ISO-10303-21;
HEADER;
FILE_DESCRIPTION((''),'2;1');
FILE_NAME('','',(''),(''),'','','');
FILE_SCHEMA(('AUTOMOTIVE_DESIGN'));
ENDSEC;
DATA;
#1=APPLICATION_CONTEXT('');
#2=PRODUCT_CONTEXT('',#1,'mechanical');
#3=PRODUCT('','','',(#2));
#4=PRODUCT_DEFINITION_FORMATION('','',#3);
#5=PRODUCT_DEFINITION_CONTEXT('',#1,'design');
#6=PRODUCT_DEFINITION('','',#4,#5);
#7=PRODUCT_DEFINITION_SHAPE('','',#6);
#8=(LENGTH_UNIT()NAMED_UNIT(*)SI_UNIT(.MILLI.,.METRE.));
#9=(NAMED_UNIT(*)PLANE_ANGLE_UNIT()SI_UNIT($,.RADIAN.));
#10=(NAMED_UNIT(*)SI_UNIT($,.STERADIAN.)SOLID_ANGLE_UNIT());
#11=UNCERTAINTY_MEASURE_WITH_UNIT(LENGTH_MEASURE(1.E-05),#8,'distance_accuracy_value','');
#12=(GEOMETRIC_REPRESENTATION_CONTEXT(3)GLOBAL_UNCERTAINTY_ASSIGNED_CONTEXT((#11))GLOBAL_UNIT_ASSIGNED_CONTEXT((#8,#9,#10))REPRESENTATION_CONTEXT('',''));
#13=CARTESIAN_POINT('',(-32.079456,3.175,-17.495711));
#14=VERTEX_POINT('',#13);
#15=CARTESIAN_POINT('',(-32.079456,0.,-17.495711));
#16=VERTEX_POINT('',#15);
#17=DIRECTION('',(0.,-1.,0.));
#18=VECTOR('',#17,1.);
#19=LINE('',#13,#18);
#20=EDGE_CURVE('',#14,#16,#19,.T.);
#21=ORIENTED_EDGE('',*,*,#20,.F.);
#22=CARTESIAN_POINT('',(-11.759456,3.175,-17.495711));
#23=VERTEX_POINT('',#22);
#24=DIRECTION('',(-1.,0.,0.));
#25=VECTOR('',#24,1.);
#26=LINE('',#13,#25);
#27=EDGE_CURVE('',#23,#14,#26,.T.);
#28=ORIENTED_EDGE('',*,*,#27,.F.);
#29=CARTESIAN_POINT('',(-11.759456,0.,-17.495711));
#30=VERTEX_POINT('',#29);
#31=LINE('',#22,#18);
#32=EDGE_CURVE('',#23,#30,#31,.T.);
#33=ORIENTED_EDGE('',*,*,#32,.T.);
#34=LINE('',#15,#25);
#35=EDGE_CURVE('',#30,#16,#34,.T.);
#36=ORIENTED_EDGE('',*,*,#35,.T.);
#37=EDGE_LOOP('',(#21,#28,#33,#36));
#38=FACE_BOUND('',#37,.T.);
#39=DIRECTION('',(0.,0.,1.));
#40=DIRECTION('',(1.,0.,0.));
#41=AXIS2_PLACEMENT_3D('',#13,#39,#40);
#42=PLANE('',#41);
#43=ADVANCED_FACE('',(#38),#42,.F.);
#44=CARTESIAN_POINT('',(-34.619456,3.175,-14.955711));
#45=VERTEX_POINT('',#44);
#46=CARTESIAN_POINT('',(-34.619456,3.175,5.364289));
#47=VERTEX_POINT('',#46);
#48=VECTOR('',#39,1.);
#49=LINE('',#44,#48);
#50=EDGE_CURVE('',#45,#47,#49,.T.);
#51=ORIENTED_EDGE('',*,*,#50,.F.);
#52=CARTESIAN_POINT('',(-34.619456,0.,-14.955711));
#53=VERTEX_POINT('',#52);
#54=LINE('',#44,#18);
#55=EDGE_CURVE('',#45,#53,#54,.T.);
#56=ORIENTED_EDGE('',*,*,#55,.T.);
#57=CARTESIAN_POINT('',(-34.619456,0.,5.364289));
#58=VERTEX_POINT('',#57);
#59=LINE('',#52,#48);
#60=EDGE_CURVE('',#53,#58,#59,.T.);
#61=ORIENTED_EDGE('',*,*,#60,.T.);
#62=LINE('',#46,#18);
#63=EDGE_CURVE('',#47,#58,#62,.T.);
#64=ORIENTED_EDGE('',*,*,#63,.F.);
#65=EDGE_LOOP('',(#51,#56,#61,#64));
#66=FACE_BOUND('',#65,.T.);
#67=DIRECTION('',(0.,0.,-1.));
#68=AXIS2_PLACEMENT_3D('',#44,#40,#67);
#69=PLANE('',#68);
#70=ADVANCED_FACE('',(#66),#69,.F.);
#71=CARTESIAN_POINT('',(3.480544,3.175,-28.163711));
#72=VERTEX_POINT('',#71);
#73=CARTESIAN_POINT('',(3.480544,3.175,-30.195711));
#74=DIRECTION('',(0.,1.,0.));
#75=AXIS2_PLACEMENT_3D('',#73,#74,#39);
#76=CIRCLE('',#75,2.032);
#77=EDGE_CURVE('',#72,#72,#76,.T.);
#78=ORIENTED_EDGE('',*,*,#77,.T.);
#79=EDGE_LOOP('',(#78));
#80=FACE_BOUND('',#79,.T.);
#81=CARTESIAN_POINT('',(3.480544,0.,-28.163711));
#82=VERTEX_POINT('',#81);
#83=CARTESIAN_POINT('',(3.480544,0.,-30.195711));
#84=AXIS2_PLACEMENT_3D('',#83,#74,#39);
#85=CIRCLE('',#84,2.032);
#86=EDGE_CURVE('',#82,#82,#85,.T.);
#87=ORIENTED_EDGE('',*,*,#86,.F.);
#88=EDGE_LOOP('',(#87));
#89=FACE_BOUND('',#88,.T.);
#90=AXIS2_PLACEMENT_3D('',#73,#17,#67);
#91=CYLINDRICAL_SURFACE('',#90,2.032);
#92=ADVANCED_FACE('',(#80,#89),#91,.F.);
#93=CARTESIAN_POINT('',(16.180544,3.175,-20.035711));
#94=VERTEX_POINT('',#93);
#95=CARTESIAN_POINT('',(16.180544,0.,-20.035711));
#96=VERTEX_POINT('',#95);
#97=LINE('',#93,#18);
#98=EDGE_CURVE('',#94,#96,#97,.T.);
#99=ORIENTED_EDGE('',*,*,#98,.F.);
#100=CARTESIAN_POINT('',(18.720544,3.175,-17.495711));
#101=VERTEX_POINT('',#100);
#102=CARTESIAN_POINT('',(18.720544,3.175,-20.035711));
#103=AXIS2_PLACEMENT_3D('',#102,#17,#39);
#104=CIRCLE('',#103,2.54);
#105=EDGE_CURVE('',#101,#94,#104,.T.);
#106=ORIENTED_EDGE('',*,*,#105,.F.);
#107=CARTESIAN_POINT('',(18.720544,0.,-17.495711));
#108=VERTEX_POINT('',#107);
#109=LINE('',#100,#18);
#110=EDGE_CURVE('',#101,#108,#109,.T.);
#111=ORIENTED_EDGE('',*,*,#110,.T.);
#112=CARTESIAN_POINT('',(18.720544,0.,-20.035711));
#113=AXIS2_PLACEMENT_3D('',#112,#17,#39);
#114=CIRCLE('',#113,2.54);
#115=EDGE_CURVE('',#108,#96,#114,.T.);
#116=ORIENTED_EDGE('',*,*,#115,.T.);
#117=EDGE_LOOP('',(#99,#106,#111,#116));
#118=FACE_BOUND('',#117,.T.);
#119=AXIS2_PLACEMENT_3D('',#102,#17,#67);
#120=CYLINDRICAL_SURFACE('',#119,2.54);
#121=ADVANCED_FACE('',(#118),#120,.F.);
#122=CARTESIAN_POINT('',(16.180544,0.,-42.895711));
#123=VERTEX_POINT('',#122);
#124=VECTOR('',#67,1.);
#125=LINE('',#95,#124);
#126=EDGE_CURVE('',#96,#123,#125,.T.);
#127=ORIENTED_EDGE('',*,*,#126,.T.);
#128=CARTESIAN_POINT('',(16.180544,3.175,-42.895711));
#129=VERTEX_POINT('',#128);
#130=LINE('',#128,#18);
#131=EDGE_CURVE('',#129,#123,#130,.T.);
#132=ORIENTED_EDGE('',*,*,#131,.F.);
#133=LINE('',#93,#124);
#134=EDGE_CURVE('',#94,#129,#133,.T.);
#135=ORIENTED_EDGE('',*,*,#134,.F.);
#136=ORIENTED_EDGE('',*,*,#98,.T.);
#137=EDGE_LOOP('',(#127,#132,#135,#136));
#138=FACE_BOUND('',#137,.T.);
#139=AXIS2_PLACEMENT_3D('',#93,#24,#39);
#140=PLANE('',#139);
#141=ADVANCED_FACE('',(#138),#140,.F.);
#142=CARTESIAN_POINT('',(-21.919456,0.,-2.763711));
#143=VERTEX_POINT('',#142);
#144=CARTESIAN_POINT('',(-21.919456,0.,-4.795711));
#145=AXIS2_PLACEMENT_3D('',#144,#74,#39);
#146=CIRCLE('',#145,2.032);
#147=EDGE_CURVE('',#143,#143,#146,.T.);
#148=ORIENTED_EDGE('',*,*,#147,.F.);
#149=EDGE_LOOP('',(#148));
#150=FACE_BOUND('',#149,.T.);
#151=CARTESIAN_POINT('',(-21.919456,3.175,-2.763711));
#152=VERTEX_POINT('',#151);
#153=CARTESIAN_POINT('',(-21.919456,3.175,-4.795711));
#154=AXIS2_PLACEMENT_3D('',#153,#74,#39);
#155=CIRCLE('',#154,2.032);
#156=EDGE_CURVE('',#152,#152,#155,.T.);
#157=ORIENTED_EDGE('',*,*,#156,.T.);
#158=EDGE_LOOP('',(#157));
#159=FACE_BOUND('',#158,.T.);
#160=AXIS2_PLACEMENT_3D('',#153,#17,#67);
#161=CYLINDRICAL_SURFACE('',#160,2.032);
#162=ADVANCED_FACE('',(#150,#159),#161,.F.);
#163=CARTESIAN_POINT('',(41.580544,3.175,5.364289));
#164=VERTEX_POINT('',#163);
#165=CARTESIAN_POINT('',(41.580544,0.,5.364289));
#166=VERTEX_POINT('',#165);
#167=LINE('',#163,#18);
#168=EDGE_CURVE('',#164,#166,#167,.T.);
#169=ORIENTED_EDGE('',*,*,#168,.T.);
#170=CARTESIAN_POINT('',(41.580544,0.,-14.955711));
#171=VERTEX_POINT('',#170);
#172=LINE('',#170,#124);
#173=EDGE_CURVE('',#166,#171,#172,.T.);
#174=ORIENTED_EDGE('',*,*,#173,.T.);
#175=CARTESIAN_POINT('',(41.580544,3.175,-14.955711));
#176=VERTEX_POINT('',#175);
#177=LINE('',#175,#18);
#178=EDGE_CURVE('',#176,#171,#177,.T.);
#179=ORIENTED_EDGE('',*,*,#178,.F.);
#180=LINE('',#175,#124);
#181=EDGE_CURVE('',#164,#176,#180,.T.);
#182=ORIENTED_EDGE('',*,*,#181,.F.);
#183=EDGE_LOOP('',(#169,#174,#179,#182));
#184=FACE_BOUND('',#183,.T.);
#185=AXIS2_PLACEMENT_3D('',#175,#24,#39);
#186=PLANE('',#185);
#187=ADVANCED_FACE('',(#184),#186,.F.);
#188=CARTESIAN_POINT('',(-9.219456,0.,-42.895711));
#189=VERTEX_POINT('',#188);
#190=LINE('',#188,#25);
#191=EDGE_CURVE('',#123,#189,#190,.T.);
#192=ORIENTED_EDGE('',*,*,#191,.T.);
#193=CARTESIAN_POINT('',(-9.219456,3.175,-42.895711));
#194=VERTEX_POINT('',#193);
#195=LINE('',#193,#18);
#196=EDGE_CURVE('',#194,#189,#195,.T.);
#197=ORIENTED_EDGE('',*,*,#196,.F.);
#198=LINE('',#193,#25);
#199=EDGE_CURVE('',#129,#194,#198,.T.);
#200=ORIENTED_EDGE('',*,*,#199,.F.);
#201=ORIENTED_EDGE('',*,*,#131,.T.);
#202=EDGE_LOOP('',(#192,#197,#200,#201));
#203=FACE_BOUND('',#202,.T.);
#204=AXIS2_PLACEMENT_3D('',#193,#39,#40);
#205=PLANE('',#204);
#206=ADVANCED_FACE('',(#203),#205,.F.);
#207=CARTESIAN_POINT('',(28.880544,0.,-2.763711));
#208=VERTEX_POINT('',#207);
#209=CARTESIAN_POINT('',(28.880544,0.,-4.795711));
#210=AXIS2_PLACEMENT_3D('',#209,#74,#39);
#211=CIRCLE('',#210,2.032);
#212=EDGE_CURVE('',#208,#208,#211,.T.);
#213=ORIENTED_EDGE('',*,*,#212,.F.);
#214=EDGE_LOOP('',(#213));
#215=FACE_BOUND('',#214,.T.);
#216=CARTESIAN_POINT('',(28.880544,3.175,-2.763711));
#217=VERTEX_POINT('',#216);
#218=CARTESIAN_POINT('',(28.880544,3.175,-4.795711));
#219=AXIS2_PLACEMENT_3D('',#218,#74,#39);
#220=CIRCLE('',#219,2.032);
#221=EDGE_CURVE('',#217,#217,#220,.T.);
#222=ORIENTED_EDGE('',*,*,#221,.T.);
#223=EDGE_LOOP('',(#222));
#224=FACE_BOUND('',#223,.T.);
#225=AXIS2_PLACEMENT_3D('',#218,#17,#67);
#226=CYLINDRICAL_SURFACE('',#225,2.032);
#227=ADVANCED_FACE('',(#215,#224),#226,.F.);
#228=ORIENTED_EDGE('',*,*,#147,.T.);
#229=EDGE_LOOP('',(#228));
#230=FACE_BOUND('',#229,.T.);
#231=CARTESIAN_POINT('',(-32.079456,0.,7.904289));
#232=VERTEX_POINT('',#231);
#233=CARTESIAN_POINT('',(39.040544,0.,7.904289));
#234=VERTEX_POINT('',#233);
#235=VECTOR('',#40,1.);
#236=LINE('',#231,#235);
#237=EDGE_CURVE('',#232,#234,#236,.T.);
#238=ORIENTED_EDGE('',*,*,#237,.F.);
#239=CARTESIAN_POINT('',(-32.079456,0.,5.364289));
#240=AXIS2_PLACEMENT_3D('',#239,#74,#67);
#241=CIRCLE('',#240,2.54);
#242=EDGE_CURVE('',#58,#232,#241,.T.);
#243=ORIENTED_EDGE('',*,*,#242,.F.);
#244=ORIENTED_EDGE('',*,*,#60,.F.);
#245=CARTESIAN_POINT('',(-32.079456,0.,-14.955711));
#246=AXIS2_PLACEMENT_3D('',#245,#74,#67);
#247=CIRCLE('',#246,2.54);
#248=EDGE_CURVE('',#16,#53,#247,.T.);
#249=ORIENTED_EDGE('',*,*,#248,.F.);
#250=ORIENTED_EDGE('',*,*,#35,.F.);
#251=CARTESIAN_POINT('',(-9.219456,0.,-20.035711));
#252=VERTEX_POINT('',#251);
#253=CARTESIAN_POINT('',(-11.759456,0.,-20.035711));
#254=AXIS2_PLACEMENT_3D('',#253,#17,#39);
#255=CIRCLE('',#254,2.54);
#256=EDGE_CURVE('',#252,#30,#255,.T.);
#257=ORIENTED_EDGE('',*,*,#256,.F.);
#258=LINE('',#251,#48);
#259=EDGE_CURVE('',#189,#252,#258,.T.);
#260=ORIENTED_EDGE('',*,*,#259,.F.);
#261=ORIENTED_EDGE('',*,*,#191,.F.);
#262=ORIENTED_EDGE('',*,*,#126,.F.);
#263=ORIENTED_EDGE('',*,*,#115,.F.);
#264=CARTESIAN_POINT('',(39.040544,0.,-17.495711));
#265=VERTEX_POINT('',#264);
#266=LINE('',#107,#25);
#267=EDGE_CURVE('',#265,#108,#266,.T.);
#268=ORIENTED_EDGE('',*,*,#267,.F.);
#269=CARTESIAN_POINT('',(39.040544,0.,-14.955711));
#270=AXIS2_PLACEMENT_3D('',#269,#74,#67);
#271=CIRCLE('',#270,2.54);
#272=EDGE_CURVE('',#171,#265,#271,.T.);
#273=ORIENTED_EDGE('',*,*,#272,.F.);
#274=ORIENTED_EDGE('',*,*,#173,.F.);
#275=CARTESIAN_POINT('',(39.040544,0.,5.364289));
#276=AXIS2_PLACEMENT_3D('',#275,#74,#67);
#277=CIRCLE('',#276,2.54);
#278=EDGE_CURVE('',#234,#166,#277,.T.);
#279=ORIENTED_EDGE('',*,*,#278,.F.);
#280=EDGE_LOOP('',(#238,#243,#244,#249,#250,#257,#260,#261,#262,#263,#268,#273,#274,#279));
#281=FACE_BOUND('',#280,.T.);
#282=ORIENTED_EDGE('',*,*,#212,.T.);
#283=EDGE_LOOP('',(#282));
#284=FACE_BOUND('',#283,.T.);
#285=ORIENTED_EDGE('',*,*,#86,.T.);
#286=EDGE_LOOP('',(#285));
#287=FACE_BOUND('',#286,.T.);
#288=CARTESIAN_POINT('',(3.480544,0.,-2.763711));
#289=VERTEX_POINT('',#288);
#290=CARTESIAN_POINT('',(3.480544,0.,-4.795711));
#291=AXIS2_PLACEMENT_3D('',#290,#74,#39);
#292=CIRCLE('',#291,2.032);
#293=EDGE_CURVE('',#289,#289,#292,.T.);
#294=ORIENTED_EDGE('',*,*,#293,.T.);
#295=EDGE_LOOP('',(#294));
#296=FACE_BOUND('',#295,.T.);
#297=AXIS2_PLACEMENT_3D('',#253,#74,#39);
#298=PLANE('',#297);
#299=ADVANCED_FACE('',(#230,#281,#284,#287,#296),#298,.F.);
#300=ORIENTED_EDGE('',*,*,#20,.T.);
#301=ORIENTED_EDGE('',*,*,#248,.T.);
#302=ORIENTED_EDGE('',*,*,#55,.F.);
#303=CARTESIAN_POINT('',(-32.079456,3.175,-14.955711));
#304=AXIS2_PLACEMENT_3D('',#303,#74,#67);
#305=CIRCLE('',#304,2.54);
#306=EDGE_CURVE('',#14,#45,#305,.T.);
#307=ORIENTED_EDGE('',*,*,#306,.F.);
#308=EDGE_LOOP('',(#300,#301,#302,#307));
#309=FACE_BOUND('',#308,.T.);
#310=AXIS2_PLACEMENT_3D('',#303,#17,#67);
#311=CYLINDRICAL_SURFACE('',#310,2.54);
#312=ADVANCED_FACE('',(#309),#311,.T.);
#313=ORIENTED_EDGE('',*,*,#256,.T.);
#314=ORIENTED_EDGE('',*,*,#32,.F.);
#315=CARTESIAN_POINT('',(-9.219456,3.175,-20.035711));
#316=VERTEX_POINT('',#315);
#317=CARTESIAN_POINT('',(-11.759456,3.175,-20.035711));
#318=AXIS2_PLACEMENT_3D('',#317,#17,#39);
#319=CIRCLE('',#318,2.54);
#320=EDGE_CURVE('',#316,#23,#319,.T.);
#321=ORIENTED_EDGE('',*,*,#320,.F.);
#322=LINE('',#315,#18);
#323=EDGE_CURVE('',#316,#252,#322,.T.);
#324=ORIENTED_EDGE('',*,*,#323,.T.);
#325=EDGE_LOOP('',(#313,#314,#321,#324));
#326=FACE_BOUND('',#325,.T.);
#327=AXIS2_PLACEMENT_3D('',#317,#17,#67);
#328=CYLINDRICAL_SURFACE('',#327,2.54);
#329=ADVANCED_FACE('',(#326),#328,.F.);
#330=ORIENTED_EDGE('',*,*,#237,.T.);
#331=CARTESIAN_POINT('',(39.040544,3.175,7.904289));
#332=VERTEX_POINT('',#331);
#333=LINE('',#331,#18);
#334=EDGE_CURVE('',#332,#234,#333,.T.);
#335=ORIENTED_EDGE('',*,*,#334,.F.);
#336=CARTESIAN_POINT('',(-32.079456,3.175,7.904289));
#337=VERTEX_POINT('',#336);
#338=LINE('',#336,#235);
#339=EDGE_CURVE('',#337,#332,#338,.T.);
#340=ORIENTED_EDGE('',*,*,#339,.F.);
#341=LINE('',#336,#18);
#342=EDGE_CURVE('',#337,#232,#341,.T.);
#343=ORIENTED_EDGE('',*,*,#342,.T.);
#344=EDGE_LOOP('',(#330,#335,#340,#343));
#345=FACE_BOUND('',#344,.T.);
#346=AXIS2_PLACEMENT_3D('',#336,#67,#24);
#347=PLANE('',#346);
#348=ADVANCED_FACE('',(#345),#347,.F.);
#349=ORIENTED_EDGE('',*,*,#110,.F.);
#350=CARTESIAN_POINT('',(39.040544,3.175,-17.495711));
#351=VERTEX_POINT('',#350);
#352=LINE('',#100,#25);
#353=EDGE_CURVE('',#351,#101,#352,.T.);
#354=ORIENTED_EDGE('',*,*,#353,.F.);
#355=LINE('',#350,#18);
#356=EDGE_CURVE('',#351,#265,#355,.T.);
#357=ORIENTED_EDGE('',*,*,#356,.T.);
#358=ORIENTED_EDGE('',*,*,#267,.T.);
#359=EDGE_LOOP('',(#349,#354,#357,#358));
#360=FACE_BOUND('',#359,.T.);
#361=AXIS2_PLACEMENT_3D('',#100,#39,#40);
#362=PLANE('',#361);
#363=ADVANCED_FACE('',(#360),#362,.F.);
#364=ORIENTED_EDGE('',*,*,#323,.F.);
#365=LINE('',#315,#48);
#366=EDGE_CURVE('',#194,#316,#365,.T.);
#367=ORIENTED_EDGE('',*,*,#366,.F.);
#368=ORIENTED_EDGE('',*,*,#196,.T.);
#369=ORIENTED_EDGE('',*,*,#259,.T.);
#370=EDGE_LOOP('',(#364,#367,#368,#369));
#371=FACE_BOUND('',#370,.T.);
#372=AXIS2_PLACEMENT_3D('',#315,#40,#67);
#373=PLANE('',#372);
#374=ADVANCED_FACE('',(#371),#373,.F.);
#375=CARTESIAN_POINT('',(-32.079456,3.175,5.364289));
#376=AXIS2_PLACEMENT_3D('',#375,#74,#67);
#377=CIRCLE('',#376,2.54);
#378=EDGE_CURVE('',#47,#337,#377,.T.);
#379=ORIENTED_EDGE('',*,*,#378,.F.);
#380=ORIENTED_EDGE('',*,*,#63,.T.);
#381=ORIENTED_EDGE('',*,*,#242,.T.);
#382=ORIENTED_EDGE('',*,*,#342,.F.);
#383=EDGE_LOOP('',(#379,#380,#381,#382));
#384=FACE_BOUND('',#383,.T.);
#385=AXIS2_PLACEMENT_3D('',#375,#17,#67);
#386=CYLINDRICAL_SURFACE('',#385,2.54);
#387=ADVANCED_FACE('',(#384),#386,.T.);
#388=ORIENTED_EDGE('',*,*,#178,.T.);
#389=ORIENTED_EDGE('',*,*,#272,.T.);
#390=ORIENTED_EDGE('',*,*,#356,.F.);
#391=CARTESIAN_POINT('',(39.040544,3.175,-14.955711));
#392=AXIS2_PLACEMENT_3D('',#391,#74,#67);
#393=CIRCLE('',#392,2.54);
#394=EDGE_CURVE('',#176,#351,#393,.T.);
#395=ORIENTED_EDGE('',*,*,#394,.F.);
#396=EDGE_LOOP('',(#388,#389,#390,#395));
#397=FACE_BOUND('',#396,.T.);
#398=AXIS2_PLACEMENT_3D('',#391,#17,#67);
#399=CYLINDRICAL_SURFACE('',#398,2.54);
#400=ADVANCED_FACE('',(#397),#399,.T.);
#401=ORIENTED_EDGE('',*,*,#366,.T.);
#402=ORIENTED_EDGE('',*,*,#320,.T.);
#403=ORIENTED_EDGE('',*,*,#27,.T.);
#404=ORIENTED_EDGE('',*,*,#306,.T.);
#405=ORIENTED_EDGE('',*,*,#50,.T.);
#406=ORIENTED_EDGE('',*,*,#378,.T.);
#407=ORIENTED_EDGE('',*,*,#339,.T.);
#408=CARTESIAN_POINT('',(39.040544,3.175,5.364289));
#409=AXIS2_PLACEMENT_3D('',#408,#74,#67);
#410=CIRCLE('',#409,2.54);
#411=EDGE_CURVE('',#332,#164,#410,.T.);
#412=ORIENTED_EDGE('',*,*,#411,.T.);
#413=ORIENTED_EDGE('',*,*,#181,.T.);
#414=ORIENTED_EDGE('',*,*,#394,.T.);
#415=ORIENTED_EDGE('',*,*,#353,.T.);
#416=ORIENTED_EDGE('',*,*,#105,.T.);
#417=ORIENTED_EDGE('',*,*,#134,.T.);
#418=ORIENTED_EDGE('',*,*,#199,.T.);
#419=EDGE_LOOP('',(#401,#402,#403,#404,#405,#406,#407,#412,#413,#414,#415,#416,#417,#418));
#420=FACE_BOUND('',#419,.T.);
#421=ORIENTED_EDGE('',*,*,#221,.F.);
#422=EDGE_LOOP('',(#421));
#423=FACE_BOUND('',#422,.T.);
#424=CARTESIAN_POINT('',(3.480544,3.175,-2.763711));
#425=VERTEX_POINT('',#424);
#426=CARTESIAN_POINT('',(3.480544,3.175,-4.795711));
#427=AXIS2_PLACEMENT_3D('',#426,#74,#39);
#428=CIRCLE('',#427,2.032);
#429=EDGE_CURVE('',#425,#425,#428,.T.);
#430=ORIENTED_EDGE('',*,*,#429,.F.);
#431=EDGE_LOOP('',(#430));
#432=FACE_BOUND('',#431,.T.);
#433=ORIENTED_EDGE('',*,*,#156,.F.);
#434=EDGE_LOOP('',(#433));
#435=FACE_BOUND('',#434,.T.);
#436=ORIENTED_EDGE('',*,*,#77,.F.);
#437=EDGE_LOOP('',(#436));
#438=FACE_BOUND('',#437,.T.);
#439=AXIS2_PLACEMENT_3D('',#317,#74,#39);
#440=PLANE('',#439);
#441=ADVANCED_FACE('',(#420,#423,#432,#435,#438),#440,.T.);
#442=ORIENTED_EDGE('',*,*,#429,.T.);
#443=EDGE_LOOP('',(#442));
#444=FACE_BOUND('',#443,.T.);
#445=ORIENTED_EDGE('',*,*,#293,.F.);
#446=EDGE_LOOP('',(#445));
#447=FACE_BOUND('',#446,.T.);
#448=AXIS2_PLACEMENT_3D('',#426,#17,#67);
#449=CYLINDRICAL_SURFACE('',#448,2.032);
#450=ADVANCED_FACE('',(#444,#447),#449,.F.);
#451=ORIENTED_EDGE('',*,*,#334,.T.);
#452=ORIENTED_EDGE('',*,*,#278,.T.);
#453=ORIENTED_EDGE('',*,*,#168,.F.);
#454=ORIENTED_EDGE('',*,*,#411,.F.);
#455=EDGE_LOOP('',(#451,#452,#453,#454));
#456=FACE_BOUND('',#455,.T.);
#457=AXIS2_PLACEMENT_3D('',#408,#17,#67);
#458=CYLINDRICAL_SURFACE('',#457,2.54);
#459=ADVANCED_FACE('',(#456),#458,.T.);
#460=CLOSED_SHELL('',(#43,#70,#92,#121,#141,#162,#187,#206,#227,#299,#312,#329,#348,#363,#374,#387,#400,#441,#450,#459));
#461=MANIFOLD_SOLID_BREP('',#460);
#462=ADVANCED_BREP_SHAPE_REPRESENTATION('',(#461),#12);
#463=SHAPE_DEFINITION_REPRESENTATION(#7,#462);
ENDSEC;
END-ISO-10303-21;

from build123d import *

# Parameters (mm, degrees)
SKETCH1_R           = 2.032
BOSS_EXTRUDE1_DEPTH = 3.175


with BuildPart() as part:
    # Sketch1 → Boss-Extrude1 (new body)
    with BuildSketch(Plane(origin=(0, 0, 0), x_dir=(1, 0, 0), z_dir=(0, 1, 0))):
        with BuildLine():
            Line((18.720543933, 17.495711297), (39.040543933, 17.495711297))
            ThreePointArc((39.040543933, 17.495711297), (40.836595157, 16.751762521), (41.580543933, 14.955711297))
            Line((41.580543933, 14.955711297), (41.580543933, -5.364288703))
            ThreePointArc((41.580543933, -5.364288703), (40.836595157, -7.160339927), (39.040543933, -7.904288703))
            Line((39.040543933, -7.904288703), (-32.079456067, -7.904288703))
            ThreePointArc((-32.079456067, -7.904288703), (-33.875507291, -7.160339927), (-34.619456067, -5.364288703))
            Line((-34.619456067, -5.364288703), (-34.619456067, 14.955711297))
            ThreePointArc((-34.619456067, 14.955711297), (-33.875507291, 16.751762521), (-32.079456067, 17.495711297))
            Line((-32.079456067, 17.495711297), (-11.759456067, 17.495711297))
            ThreePointArc((-11.759456067, 17.495711297), (-9.963404843, 18.239660073), (-9.219456067, 20.035711297))
            Line((-9.219456067, 20.035711297), (-9.219456067, 42.895711297))
            Line((-9.219456067, 42.895711297), (16.180543933, 42.895711297))
            Line((16.180543933, 42.895711297), (16.180543933, 20.035711297))
            ThreePointArc((16.180543933, 20.035711297), (16.924492709, 18.239660073), (18.720543933, 17.495711297))
        make_face()
        with Locations((3.480543933, 4.795711297)):
            Circle(SKETCH1_R, mode=Mode.SUBTRACT)
        with Locations((-21.919456067, 4.795711297)):
            Circle(SKETCH1_R, mode=Mode.SUBTRACT)
        with Locations((28.880543933, 4.795711297)):
            Circle(SKETCH1_R, mode=Mode.SUBTRACT)
        with Locations((3.480543933, 30.195711297)):
            Circle(SKETCH1_R, mode=Mode.SUBTRACT)
    extrude(amount=BOSS_EXTRUDE1_DEPTH)


solid = part.part
